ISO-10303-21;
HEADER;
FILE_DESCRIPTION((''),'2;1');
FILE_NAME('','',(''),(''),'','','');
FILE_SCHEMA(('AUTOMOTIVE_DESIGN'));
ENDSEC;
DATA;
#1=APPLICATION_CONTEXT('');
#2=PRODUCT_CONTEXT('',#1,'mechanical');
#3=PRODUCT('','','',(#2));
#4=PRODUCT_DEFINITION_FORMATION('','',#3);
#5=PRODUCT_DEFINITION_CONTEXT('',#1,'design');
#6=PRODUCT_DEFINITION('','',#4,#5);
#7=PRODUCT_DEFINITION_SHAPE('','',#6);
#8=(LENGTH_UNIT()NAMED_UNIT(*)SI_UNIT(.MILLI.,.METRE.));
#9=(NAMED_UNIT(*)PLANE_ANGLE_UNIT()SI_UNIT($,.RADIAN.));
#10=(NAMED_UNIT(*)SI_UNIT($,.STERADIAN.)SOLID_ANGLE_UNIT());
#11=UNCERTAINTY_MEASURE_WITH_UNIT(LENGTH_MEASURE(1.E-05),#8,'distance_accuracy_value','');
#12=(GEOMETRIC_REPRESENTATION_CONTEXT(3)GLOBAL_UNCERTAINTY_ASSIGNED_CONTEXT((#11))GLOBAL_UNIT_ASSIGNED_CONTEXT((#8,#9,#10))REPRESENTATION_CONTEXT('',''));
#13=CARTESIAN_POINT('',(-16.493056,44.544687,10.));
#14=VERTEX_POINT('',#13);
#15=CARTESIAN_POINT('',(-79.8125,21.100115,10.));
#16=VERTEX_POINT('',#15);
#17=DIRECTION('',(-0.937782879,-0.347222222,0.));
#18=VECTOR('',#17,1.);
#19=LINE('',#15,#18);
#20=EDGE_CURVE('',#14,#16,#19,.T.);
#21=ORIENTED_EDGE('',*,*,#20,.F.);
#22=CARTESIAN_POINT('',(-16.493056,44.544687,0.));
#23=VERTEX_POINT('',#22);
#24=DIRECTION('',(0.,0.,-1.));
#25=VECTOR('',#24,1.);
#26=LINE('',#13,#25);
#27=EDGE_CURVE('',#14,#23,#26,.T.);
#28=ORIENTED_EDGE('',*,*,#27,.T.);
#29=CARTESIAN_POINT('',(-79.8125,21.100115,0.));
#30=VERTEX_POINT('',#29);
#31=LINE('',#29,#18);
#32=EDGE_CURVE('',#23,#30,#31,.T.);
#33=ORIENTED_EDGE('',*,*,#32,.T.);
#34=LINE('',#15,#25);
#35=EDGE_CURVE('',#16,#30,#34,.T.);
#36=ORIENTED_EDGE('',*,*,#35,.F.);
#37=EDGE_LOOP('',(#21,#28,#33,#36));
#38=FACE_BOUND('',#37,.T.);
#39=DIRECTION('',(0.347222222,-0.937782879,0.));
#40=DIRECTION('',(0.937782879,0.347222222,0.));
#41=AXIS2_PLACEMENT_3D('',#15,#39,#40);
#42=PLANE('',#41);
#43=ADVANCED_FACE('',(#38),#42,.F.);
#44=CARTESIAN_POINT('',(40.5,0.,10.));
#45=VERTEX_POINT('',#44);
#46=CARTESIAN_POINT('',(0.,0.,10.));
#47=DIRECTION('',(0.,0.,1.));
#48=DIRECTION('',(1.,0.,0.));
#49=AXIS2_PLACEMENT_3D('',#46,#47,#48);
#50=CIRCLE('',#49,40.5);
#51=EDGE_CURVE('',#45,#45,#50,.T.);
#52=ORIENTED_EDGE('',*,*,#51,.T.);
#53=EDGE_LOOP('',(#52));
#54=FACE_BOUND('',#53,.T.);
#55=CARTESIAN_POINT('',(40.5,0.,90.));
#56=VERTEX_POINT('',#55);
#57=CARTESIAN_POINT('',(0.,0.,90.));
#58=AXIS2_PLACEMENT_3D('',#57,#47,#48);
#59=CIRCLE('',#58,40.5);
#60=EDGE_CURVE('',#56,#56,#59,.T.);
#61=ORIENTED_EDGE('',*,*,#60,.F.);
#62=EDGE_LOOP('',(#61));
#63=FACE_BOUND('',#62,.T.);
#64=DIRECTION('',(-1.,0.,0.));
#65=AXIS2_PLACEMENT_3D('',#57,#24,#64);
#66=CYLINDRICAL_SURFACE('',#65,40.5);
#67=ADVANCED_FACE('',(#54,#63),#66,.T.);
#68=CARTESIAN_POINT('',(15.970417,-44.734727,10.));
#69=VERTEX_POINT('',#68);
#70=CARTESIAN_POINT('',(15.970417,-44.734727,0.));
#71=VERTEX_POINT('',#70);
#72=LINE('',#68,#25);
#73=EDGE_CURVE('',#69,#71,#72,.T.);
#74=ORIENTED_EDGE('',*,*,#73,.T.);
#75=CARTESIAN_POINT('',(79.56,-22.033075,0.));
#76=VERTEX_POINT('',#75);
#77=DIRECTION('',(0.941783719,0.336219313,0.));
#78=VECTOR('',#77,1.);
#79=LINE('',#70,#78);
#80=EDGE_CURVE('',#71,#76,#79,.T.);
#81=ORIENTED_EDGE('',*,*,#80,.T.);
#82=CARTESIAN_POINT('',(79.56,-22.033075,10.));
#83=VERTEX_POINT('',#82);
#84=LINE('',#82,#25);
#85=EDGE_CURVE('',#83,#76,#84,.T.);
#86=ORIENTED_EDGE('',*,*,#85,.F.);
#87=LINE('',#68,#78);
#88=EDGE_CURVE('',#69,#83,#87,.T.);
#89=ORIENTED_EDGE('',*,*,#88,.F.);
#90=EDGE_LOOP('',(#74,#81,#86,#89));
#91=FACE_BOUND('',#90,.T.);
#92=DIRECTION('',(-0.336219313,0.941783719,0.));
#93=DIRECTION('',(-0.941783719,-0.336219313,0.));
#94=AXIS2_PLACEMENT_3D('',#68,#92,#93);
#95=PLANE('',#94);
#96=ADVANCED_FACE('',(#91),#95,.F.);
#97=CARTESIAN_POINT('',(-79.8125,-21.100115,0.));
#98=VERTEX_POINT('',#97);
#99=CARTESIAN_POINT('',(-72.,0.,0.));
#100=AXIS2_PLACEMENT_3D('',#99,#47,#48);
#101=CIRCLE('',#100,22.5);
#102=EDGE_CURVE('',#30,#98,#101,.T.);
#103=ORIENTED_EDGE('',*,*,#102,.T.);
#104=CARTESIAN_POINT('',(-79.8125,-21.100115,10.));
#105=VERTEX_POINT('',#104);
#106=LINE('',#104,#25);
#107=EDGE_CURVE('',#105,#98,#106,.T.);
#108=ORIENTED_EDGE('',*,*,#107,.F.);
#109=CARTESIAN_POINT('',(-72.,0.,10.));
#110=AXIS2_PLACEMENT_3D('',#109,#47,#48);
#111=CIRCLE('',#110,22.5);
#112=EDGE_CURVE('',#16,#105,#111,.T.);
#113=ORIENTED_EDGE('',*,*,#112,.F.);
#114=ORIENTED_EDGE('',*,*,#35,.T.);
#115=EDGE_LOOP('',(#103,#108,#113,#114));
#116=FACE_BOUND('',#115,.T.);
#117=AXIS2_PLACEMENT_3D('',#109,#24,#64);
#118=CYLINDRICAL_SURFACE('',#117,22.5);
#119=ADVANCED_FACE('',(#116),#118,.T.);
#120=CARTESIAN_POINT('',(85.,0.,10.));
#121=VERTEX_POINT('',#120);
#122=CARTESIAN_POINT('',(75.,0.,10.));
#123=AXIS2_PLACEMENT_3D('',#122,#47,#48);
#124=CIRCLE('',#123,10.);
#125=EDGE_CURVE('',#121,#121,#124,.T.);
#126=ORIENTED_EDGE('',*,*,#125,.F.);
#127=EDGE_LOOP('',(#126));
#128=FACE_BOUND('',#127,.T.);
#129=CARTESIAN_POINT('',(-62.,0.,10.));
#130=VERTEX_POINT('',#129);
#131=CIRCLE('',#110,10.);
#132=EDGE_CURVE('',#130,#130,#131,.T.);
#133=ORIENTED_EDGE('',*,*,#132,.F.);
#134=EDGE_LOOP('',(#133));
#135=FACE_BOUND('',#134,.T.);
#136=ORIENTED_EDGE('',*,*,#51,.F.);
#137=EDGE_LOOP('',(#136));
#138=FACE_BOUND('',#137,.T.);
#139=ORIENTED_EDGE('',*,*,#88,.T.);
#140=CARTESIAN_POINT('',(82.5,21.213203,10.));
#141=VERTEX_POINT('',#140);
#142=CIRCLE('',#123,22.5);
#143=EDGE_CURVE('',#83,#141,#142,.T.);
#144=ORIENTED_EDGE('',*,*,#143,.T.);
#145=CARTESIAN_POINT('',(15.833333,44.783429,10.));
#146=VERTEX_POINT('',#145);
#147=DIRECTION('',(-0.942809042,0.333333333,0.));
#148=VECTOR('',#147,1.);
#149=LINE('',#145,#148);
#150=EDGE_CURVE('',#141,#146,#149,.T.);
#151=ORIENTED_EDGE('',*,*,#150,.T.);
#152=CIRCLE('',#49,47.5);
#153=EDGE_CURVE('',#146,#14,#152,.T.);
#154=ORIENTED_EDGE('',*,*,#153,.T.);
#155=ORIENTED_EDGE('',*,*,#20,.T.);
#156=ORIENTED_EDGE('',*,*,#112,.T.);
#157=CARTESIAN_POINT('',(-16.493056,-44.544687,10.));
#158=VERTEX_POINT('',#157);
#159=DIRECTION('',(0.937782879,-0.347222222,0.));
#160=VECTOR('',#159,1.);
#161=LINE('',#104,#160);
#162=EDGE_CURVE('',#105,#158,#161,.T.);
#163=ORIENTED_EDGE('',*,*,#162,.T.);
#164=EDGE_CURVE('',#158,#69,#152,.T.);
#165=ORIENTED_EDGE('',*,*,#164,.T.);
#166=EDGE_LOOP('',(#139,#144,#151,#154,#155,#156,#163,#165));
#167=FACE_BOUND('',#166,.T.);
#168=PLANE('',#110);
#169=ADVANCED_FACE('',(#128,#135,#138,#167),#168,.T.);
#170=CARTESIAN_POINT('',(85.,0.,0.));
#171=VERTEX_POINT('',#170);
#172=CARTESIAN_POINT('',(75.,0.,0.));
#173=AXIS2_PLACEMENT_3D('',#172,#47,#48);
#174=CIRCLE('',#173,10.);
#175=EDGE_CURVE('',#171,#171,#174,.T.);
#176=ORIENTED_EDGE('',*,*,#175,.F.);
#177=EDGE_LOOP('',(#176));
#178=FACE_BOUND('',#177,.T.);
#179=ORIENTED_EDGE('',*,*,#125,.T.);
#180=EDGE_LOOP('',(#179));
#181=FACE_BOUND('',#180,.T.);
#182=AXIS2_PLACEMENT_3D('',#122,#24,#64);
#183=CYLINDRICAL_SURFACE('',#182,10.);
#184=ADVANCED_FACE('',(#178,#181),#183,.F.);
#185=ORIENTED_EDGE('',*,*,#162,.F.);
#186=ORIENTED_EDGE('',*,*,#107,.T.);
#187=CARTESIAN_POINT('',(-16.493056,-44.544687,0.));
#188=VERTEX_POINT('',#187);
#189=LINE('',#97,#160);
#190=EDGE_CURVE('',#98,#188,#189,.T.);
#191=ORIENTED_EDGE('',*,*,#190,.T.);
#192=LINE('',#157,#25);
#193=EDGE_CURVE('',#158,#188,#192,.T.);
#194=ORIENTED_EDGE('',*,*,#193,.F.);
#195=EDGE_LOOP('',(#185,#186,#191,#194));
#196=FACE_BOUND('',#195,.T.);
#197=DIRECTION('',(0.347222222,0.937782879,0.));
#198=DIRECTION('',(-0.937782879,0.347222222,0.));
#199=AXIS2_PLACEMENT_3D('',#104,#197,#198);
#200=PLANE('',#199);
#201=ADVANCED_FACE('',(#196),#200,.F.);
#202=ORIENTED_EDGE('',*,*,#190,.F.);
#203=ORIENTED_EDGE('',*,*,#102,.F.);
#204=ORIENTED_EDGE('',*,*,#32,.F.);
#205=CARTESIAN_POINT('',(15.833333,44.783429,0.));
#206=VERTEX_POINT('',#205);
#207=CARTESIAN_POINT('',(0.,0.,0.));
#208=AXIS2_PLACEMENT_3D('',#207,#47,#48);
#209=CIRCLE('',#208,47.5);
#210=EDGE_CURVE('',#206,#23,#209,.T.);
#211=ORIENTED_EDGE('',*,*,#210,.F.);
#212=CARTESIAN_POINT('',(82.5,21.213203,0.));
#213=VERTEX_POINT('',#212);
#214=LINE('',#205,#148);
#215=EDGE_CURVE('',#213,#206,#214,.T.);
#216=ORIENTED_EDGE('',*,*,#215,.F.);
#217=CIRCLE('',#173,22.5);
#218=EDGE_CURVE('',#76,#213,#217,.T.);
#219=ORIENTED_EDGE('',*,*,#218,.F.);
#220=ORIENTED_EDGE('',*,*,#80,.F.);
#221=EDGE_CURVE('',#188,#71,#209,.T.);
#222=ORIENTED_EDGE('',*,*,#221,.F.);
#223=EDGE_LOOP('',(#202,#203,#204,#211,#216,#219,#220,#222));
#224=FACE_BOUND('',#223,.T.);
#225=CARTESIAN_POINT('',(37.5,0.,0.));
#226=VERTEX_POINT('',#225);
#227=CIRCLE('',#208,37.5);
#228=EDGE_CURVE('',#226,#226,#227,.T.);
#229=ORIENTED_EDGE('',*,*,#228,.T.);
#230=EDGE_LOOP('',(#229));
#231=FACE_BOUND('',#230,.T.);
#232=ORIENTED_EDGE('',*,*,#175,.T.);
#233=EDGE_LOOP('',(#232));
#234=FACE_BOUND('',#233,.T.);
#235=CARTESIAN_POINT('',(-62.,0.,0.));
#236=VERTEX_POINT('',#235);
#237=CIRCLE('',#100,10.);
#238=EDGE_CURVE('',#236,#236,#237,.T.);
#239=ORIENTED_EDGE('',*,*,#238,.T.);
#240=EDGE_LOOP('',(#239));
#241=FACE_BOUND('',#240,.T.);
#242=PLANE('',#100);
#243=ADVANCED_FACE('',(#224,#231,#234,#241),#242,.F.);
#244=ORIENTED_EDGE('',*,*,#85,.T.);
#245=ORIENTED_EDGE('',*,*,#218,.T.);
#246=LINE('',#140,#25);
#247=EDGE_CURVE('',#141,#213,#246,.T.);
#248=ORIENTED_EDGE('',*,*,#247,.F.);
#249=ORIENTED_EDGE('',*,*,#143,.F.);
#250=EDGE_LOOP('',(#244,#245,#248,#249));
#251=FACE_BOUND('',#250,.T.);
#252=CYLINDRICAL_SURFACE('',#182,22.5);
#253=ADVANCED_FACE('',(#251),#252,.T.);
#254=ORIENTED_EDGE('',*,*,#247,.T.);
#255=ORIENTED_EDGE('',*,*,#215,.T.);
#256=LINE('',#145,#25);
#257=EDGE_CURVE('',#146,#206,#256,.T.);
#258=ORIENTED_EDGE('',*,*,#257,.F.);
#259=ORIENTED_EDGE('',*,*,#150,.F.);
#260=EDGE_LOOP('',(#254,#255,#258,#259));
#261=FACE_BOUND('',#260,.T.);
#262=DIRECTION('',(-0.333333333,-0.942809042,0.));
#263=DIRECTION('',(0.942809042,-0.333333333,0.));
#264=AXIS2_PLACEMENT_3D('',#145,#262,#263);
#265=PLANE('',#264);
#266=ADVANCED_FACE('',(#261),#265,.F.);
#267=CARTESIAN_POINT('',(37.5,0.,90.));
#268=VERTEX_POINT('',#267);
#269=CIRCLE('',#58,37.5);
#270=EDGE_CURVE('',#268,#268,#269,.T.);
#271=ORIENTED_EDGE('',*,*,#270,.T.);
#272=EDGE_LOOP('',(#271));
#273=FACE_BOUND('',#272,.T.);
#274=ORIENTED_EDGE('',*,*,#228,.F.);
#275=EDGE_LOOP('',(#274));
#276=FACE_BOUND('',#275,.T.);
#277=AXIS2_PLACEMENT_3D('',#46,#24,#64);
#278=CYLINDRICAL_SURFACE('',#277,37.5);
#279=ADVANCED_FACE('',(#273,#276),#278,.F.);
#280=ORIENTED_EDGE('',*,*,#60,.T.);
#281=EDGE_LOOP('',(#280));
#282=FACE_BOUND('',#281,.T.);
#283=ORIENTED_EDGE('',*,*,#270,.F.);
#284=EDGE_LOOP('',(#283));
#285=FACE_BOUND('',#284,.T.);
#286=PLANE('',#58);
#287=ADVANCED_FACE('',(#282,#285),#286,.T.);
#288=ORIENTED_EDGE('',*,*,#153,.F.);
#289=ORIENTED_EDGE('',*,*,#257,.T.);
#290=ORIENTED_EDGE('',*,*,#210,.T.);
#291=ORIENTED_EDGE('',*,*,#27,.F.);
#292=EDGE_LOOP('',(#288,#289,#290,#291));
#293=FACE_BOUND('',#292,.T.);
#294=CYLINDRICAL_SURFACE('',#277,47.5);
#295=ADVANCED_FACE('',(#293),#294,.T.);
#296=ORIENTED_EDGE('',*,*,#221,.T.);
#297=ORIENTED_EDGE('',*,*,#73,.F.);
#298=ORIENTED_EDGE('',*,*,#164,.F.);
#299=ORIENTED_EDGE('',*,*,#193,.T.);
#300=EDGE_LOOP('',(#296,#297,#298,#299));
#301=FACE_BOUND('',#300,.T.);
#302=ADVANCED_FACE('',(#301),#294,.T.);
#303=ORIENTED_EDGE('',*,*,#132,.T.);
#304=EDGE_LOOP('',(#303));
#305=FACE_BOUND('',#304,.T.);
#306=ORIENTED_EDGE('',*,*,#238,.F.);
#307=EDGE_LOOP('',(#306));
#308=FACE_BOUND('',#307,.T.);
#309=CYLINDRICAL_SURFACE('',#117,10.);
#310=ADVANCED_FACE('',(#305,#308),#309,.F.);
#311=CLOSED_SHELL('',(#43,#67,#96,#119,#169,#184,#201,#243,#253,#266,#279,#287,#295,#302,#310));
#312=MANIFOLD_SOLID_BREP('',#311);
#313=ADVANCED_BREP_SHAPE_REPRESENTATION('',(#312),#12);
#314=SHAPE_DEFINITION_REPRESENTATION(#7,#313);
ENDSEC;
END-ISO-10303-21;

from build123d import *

# Parameters (mm, degrees)
SKETCH1_R           = 37.5
SKETCH1_R_2         = 10
BOSS_EXTRUDE1_DEPTH = 10
SKETCH2_R           = 40.5
SKETCH2_R_2         = 37.5
BOSS_EXTRUDE2_DEPTH = 80


with BuildPart() as part:
    # Sketch1 → Boss-Extrude1 (new body)
    with BuildSketch(Plane.XY):
        with BuildLine():
            Line((-79.8125, 21.10011478), (-16.493055556, 44.544686759))
            ThreePointArc((-16.493055556, 44.544686759), (-0.350796057, 47.498704636), (15.833333333, 44.783429475))
            Line((15.833333333, 44.783429475), (82.5, 21.213203436))
            ThreePointArc((82.5, 21.213203436), (97.448185953, -1.526088923), (79.56, -22.033075137))
            Line((79.56, -22.033075137), (15.970417375, -44.734726655))
            ThreePointArc((15.970417375, -44.734726655), (-0.27805837, -47.499186136), (-16.493055556, -44.544686759))
            Line((-16.493055556, -44.544686759), (-79.8125, -21.10011478))
            ThreePointArc((-79.8125, -21.10011478), (-94.5, 0), (-79.8125, 21.10011478))
        make_face()
        Circle(SKETCH1_R, mode=Mode.SUBTRACT)
        with Locations((-72, 0)):
            Circle(SKETCH1_R_2, mode=Mode.SUBTRACT)
        with Locations((75, 0)):
            Circle(SKETCH1_R_2, mode=Mode.SUBTRACT)
    extrude(amount=BOSS_EXTRUDE1_DEPTH)

    # Sketch2 → Boss-Extrude2 (add)
    with BuildSketch(Plane.XY.offset(10)):
        Circle(SKETCH2_R)
        Circle(SKETCH2_R_2, mode=Mode.SUBTRACT)
    extrude(amount=BOSS_EXTRUDE2_DEPTH)


solid = part.part
